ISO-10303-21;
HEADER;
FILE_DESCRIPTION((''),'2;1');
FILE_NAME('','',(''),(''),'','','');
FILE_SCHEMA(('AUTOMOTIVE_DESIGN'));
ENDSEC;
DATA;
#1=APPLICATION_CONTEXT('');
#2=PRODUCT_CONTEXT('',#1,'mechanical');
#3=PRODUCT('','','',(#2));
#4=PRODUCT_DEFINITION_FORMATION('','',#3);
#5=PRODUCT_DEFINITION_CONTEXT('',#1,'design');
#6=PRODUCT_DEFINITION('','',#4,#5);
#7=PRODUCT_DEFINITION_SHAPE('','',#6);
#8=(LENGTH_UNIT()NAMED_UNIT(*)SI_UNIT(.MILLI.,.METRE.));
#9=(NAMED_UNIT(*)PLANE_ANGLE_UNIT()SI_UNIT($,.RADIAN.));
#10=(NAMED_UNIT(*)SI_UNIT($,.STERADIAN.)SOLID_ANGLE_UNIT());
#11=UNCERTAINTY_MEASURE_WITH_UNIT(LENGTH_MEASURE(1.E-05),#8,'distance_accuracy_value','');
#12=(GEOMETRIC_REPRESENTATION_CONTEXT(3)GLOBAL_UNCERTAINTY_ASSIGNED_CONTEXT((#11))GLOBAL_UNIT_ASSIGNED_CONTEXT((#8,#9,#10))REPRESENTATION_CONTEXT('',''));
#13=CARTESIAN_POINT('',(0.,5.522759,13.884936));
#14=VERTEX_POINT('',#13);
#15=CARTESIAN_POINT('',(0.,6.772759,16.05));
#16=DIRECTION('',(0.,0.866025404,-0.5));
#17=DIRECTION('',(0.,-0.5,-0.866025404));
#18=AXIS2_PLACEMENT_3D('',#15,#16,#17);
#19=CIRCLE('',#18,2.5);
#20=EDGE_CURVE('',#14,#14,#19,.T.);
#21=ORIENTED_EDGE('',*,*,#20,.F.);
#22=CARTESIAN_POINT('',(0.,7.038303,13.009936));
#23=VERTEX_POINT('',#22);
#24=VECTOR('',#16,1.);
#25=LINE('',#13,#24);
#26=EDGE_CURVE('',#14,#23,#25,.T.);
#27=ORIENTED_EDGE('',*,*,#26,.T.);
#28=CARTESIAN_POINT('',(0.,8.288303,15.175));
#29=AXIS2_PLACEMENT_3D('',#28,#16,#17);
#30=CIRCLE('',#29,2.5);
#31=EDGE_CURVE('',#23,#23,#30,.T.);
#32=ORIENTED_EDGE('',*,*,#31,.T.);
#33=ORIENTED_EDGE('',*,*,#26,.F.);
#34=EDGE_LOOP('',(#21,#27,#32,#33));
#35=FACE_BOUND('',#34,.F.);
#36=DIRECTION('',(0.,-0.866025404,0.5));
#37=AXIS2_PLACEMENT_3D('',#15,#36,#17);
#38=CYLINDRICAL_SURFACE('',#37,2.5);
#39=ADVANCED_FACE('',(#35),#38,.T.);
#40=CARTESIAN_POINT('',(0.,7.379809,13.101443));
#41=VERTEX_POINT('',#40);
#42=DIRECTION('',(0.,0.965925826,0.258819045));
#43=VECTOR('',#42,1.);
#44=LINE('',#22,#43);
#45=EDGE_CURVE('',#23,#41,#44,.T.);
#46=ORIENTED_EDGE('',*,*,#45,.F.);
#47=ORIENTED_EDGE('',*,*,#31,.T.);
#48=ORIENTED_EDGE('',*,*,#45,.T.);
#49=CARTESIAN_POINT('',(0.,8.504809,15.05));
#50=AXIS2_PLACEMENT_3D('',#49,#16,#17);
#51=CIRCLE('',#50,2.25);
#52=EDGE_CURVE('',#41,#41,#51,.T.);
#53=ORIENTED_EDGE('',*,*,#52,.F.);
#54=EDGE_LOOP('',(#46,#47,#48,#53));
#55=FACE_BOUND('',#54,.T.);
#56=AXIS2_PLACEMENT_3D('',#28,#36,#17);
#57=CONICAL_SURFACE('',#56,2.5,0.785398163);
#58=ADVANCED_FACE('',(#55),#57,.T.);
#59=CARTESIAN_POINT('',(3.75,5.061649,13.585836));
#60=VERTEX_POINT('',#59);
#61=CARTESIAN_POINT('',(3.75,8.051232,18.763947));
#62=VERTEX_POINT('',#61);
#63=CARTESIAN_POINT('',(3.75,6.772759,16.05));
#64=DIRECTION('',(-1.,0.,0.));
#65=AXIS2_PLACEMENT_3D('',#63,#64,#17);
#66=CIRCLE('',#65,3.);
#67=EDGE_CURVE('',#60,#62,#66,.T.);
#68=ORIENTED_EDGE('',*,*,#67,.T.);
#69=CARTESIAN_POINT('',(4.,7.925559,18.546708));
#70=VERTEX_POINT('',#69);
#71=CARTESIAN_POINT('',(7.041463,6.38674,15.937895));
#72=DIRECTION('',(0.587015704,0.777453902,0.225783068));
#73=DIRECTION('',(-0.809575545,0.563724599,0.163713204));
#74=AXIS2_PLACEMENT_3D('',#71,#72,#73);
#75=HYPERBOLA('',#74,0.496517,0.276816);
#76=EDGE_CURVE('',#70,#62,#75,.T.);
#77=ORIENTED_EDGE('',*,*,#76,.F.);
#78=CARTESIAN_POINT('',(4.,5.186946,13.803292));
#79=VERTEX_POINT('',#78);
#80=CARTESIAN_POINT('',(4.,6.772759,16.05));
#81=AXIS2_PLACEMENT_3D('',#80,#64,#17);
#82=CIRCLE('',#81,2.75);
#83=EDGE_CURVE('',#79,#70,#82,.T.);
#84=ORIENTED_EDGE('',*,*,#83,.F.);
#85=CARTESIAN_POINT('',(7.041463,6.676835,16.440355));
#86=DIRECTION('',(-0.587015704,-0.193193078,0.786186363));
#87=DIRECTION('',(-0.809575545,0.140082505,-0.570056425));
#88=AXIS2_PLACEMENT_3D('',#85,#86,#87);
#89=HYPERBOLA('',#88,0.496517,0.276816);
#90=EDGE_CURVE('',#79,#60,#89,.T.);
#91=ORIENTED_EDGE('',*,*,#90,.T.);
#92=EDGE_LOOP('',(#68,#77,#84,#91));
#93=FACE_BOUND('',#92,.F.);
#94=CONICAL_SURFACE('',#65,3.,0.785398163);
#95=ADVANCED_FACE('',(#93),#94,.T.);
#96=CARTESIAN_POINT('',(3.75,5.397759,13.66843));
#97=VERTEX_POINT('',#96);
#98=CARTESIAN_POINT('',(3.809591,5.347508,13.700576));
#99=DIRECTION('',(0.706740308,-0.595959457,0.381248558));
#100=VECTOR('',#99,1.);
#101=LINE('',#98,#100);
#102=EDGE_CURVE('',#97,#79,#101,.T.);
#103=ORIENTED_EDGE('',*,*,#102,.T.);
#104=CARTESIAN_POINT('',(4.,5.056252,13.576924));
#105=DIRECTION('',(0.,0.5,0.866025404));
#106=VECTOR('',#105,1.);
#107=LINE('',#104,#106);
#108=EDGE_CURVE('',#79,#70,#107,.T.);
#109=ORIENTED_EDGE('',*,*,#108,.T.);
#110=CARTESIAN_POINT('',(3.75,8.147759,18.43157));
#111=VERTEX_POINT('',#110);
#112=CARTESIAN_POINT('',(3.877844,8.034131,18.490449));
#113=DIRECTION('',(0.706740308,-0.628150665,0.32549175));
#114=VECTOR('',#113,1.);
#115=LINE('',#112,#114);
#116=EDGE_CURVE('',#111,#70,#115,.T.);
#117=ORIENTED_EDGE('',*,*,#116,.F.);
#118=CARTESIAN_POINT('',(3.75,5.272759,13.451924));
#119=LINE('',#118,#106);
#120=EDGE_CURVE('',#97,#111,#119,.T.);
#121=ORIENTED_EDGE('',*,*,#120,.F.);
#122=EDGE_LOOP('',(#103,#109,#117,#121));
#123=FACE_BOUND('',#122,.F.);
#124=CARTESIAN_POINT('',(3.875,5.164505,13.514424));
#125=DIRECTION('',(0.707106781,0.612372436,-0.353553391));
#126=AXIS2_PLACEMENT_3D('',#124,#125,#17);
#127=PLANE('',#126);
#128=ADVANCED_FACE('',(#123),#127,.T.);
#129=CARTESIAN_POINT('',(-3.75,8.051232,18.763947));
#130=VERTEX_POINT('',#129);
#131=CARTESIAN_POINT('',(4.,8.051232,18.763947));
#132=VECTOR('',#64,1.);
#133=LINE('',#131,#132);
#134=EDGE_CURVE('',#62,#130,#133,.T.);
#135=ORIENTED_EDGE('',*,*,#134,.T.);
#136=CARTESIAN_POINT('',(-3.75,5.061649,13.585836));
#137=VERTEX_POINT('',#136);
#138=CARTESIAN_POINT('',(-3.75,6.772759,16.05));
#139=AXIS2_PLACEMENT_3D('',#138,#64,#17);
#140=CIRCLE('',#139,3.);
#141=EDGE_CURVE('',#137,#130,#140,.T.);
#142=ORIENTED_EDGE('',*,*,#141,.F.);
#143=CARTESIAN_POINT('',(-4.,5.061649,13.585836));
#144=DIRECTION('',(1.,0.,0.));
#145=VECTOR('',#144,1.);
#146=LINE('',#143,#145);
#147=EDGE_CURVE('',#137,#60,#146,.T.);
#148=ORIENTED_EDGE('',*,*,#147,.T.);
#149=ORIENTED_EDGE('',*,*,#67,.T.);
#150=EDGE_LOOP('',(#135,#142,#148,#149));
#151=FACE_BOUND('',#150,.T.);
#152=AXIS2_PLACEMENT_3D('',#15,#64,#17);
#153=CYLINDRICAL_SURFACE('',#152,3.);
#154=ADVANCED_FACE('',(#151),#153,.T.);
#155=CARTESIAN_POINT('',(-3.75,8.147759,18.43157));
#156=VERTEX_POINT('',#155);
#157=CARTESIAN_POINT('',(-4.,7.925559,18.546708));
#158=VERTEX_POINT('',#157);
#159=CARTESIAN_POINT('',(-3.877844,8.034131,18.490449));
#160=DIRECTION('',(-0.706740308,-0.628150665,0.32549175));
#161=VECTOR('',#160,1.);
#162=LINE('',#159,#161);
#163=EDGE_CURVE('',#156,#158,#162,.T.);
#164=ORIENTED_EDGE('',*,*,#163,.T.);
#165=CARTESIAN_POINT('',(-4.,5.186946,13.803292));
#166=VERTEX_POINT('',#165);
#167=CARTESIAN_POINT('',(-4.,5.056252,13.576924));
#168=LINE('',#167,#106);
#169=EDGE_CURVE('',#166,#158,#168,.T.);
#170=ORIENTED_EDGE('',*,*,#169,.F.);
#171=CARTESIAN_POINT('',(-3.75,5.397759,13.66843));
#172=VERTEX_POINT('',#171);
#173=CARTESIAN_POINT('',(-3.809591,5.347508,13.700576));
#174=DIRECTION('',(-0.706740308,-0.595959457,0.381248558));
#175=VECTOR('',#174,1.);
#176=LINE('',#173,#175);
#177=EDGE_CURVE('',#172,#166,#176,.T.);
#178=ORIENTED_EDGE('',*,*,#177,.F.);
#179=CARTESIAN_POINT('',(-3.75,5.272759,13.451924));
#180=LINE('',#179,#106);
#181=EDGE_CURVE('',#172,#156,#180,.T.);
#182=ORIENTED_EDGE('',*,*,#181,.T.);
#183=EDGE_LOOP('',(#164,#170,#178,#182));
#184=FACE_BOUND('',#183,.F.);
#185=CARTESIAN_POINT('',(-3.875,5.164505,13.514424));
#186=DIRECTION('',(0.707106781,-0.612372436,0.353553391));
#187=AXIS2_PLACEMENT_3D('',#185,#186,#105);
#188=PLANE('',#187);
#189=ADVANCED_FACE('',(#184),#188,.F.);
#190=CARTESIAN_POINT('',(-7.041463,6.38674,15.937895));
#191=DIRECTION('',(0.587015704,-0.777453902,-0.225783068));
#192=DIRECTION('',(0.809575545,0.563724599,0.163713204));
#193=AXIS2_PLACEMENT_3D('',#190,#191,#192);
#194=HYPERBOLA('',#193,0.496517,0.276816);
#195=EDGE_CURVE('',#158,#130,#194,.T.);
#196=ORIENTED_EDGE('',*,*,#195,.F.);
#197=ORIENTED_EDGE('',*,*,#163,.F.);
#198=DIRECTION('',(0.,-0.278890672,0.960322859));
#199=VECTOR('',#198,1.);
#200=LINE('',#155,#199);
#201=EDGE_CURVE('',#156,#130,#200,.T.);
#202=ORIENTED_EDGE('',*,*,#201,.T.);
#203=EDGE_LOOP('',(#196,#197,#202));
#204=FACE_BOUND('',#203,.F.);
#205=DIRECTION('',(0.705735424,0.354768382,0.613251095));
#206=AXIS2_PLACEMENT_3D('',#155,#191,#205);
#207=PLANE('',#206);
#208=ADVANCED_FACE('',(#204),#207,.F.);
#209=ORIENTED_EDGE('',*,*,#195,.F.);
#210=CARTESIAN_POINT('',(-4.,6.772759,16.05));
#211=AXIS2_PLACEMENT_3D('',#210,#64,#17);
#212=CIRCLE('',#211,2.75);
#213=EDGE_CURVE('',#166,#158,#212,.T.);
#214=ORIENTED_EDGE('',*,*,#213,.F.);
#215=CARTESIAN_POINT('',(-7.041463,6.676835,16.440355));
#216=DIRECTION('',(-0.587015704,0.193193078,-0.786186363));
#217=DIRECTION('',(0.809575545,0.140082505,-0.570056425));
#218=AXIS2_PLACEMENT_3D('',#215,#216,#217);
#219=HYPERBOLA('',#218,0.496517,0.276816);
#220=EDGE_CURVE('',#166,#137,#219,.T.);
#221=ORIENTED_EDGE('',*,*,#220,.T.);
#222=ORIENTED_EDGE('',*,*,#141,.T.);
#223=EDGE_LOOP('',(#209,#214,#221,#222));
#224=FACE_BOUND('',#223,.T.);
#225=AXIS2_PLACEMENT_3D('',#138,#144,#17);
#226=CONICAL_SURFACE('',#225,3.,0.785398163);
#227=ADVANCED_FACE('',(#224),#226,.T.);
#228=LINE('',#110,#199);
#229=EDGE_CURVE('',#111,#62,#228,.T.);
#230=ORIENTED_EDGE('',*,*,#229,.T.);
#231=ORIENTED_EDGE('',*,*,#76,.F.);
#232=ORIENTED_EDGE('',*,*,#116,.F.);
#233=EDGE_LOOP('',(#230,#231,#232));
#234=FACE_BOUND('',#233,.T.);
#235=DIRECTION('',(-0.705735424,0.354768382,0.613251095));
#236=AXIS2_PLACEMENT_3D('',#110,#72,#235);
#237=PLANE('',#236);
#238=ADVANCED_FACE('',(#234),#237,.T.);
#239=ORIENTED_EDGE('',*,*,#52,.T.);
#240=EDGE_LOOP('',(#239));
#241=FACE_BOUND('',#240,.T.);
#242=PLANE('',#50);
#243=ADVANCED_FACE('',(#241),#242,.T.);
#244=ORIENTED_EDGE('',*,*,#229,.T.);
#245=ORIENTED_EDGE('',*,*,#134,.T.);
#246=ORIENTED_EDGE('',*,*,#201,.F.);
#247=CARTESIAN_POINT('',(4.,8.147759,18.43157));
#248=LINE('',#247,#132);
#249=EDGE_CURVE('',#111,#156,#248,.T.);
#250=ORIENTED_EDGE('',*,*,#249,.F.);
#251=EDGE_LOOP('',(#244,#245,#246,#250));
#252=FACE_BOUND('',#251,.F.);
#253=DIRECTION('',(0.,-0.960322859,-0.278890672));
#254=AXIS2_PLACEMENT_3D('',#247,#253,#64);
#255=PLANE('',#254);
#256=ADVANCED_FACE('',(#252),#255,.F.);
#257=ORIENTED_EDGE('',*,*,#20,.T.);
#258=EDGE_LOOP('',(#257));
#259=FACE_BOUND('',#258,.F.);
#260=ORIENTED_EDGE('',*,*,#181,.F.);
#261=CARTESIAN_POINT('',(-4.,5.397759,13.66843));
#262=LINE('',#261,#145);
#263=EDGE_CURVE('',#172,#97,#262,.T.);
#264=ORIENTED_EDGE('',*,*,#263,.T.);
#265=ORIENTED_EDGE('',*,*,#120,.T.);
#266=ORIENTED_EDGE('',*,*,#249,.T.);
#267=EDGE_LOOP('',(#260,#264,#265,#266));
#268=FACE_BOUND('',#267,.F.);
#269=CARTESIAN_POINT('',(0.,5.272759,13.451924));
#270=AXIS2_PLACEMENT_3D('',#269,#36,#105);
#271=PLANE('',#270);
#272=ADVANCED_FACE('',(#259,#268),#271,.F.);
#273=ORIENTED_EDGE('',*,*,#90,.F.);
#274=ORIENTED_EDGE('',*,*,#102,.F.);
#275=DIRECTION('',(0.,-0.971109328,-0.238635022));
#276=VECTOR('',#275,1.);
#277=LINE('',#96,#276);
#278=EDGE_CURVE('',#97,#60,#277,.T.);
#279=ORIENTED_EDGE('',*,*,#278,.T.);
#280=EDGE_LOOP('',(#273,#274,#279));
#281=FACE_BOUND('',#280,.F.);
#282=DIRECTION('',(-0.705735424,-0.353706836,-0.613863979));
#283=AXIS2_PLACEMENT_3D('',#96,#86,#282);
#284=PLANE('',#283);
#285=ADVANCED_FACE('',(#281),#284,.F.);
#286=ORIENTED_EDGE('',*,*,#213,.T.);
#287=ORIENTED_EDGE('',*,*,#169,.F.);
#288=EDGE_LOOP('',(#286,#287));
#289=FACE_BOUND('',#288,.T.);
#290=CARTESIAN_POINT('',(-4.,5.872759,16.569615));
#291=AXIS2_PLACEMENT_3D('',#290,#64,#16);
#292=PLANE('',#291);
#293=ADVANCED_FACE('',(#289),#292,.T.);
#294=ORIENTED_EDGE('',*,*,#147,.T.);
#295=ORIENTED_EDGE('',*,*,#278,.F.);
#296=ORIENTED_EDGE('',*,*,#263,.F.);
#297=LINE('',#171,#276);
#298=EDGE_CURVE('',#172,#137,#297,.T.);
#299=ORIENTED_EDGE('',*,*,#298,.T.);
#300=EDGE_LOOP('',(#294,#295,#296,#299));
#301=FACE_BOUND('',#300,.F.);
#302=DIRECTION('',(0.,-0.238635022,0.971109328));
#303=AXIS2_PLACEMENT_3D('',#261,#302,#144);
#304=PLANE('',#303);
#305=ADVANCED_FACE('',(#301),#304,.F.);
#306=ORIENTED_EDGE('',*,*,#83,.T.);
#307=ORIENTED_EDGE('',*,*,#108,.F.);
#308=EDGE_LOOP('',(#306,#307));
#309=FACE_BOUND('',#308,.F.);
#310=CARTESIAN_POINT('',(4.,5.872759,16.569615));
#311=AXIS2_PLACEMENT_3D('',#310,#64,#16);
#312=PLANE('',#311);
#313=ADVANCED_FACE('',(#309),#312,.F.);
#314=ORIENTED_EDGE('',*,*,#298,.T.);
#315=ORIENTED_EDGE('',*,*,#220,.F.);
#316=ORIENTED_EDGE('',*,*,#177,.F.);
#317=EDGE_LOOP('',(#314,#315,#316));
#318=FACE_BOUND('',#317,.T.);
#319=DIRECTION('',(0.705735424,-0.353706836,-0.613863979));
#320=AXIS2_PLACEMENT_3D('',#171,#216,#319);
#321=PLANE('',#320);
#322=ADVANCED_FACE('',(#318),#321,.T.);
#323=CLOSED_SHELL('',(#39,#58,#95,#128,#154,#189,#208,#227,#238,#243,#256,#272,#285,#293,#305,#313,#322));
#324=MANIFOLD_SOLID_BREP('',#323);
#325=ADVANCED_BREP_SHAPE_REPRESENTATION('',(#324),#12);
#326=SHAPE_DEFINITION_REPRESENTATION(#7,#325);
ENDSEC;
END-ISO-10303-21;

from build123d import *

# Parameters (mm, degrees)
PAD005_DEPTH            = 4
SKETCH014_R             = 2.5
PAD006_DEPTH            = 2
CHAMFER_SIZE            = 0.25
BODY005_ROLL_ANGLE      = -150
BODY005_PLACEMENT_ANGLE = 180


with BuildPart() as part:
    # Sketch013 → Pad005 (new body, symmetric)
    with BuildSketch(Plane.YZ):
        with BuildLine():
            ThreePointArc((0, 3), (-3, 0), (0, -3))
            Line((0, 3), (0, -3))
        make_face()
    extrude(amount=PAD005_DEPTH, both=True)

    # Sketch014 (on Face2 of Pad005) → Pad006 (join)
    with BuildSketch(Plane.ZX):
        Circle(SKETCH014_R)
    extrude(amount=PAD006_DEPTH)

    # Chamfer
    chamfer_edges = [part.edges().sort_by_distance(p)[0] for p in [
        (0, 2, -2.5),
        (-4, -3, 0),
        (-4, 0, 0),
        (4, -3, 0),
        (4, 0, 0),
        (0, 0, -3),
        (0, 0, 3),
    ]]
    chamfer(chamfer_edges, length=CHAMFER_SIZE)


with BuildPart() as part_1:
    # Body005 roll: moved
    add(part.part.rotate(Axis((0, 0, 0), (1, 0, 0)), BODY005_ROLL_ANGLE))


with BuildPart() as part_2:
    # Body005 placement: moved
    add(part_1.part.moved(Location((0, 6.772758664, 16.05))).rotate(Axis((0, 6.772758664, 16.05), (0, 0, 1)), BODY005_PLACEMENT_ANGLE))


solid = part_2.part
